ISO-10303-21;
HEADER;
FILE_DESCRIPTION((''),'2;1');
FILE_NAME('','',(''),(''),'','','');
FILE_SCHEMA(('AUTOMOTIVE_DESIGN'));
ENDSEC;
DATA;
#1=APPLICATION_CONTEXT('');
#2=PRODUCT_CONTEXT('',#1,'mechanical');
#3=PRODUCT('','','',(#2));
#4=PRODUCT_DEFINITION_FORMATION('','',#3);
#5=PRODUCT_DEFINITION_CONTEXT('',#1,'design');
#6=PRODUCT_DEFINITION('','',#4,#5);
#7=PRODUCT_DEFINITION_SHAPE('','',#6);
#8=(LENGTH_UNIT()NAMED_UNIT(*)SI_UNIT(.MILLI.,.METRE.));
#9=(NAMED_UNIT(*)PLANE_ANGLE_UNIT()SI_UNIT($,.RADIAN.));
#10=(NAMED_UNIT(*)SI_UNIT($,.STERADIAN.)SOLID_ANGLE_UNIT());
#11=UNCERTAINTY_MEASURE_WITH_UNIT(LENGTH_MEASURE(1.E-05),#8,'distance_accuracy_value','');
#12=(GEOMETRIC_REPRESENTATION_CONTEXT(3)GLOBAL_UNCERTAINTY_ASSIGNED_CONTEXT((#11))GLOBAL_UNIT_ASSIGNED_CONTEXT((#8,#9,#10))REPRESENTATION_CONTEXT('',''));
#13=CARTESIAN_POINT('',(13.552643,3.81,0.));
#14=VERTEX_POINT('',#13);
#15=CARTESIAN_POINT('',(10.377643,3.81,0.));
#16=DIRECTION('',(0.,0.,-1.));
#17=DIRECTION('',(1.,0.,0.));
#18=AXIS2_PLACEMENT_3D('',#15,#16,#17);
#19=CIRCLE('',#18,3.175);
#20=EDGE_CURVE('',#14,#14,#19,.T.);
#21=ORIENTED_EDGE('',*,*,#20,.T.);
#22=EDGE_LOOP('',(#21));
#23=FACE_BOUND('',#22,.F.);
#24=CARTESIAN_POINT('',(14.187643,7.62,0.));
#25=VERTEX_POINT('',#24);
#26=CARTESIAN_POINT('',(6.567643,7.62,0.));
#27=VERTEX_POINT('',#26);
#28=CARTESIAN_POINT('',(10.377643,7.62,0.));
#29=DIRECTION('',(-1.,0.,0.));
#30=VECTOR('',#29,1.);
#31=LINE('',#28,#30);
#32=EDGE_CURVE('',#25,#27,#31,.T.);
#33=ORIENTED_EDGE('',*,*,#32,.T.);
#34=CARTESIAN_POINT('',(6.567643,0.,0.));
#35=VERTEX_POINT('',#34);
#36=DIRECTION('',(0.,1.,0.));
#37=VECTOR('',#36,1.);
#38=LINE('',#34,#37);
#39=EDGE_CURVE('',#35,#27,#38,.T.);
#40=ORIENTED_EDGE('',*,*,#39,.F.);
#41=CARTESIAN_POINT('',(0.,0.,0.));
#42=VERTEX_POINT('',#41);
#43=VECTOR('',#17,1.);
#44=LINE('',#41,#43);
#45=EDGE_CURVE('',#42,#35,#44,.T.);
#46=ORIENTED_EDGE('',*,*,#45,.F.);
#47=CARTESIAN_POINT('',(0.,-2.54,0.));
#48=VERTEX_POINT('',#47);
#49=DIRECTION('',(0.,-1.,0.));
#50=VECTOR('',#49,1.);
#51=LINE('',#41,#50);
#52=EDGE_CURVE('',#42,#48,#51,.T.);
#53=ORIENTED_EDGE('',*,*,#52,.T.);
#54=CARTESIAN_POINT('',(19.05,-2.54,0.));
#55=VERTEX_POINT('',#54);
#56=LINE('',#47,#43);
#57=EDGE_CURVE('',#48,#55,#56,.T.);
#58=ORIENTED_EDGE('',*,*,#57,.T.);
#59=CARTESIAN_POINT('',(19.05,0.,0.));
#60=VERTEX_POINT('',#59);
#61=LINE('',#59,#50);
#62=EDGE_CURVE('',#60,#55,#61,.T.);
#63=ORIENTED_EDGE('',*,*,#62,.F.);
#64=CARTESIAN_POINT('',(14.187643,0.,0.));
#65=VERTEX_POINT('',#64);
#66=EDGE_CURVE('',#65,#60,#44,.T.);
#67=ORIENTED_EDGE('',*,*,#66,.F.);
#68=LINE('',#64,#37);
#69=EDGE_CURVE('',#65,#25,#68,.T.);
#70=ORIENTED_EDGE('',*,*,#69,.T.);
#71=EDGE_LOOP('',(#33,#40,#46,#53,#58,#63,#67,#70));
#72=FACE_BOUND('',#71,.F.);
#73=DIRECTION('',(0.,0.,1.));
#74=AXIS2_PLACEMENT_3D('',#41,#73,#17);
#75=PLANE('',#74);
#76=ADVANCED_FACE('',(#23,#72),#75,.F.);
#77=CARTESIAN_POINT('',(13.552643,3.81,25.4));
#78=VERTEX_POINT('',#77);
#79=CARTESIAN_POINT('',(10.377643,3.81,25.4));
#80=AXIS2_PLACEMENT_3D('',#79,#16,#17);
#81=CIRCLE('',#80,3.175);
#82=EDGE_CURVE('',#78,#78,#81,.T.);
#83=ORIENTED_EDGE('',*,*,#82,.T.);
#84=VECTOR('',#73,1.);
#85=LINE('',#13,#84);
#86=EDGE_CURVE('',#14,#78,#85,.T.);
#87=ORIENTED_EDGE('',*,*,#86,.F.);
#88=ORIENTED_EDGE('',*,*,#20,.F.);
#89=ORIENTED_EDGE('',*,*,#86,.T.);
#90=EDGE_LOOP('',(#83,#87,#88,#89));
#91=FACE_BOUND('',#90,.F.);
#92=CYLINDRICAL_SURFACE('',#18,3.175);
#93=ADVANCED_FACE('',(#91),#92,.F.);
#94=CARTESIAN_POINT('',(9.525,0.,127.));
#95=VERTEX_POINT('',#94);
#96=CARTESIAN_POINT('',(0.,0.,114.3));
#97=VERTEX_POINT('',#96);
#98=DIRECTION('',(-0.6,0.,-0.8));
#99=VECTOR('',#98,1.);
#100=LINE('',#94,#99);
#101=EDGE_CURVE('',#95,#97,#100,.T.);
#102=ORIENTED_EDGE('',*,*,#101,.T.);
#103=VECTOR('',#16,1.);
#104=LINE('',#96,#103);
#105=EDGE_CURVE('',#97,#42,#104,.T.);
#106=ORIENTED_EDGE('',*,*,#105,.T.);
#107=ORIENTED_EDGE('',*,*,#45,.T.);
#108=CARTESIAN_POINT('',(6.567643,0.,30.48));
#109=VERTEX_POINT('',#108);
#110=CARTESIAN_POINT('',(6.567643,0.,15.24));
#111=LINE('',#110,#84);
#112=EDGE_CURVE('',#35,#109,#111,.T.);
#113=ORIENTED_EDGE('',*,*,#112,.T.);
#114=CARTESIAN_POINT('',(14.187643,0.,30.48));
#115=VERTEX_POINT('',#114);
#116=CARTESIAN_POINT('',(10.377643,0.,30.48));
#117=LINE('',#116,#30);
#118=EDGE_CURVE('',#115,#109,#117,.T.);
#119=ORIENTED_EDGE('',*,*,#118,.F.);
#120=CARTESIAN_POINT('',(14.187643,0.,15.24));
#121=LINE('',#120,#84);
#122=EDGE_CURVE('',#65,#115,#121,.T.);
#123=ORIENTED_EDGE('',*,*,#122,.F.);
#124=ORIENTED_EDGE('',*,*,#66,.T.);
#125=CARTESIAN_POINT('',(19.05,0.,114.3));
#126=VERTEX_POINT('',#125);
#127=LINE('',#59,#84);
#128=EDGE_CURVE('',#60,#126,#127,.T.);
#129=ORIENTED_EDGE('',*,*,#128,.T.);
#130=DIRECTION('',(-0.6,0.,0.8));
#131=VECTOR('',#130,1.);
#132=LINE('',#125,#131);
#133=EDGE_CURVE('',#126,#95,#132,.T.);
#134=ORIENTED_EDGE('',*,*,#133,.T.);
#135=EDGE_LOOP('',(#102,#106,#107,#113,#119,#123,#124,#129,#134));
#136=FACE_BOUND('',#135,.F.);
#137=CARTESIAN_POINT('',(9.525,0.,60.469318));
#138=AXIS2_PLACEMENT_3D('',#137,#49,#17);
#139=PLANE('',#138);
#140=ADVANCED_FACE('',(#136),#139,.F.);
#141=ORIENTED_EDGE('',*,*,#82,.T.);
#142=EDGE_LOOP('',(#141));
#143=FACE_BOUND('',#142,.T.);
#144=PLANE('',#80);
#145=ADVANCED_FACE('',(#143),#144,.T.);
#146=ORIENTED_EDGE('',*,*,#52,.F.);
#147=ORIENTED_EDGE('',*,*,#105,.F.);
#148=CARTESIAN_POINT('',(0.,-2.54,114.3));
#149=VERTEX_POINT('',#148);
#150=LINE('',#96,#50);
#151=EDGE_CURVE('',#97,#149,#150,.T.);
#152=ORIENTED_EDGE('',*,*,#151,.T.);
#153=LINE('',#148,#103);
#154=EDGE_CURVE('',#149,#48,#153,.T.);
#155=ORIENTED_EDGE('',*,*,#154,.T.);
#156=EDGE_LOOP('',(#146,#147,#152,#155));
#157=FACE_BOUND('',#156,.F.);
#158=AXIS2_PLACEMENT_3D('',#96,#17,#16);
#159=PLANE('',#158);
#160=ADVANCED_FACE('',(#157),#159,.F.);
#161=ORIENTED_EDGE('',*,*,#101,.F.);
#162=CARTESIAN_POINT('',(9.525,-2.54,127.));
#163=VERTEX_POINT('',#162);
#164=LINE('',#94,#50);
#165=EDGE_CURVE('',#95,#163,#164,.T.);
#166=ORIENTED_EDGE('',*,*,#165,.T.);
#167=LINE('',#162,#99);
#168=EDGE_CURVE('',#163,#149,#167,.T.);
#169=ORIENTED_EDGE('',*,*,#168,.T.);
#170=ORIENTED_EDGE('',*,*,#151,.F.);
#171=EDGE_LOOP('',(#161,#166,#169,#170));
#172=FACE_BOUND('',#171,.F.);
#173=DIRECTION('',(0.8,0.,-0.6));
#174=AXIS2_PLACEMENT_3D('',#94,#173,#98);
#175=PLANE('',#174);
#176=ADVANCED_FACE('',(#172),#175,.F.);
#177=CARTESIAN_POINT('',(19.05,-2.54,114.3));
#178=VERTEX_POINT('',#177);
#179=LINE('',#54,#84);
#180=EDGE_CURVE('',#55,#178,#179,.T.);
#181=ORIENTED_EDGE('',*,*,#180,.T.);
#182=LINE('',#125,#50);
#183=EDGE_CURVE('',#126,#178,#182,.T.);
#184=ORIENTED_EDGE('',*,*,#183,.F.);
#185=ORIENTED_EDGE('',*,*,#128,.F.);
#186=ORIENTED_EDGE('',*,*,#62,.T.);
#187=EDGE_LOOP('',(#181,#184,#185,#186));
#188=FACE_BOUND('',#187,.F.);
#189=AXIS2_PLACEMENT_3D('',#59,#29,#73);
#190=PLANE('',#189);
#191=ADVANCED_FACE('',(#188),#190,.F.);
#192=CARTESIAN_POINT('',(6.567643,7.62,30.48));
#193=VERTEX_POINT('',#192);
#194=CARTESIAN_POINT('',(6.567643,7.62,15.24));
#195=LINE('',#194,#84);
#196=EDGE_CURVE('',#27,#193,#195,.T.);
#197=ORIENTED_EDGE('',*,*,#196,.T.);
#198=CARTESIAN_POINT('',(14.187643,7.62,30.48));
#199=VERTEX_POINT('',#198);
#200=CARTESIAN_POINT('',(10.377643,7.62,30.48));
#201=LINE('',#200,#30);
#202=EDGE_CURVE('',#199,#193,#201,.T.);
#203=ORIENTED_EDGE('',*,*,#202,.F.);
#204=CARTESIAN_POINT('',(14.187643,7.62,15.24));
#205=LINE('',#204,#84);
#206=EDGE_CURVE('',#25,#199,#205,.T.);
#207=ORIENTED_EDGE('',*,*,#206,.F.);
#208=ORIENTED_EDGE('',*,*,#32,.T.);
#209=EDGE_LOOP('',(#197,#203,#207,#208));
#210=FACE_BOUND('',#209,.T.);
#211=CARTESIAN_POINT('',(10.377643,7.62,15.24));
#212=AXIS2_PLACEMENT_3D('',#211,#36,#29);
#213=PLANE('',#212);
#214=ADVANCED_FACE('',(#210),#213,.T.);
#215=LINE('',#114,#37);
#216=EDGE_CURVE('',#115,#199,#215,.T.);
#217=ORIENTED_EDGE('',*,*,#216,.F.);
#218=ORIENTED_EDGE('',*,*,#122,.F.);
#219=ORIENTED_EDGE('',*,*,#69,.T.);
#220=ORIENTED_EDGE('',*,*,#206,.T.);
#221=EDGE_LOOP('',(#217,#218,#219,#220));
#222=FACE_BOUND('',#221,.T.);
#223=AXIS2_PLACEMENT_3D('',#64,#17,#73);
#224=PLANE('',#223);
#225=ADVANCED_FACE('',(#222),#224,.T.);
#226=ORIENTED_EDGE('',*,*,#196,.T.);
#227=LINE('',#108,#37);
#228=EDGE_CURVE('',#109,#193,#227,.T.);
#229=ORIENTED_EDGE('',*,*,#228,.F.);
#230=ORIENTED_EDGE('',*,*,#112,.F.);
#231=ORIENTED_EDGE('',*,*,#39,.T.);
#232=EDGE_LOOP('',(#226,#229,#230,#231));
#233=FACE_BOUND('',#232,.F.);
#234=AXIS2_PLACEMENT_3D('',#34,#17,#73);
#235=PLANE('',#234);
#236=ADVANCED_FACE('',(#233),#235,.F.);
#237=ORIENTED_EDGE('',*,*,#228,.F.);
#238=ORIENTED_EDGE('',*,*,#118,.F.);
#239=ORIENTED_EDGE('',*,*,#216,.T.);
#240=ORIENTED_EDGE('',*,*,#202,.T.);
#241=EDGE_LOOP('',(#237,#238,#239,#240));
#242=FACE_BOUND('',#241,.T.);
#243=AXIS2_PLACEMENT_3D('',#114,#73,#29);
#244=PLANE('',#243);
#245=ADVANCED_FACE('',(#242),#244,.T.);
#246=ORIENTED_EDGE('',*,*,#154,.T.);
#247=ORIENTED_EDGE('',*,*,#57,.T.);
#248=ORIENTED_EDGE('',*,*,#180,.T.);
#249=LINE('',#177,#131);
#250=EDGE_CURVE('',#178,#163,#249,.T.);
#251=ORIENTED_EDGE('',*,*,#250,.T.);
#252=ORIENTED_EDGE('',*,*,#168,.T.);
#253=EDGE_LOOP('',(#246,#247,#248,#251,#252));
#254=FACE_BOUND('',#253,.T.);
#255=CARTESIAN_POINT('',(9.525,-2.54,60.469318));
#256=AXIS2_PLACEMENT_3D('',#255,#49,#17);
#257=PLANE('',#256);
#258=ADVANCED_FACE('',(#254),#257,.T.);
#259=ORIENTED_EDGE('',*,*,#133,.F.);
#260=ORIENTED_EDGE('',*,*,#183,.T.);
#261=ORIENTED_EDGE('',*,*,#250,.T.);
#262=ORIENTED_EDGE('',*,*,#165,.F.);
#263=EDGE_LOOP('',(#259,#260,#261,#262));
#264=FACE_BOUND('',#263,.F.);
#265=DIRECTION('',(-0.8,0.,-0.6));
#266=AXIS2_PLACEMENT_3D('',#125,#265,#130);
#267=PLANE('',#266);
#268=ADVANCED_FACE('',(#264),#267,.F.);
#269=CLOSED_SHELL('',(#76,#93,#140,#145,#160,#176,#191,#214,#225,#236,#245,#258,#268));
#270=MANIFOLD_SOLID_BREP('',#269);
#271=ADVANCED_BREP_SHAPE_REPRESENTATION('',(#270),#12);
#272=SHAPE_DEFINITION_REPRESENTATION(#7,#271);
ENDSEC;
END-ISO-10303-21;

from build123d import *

# Parameters (mm, degrees)
F1_DEPTH = 2.54
F2_W     = 7.62
F2_H     = 30.48
F3_DEPTH = 7.62
F4_R     = 3.175
F5_DEPTH = 25.4


with BuildPart() as f1:
    # F0 (on Front) → F1 (new body)
    with BuildSketch(Plane.XZ):
        Polygon((0, 114.3), (0, 0), (19.05, 0), (19.05, 114.3), (9.525, 127), align=None)
    extrude(amount=F1_DEPTH)

    # F2 (on face) → F3 (join)
    with BuildSketch(Plane(origin=(0, 0, 0), x_dir=(-1, 0, 0), z_dir=(0, 1, 0))):
        with Locations((-10.377643, 15.24)):
            Rectangle(F2_W, F2_H)
    extrude(amount=F3_DEPTH)

    # F4 (on face) → F5 (cut)
    with BuildSketch(Plane(origin=(0, 0, 0), x_dir=(1, 0, 0), z_dir=(0, 0, -1))):
        with Locations((10.377643, -3.81)):
            Circle(F4_R)
    extrude(amount=-F5_DEPTH, mode=Mode.SUBTRACT)


solid = f1.part
